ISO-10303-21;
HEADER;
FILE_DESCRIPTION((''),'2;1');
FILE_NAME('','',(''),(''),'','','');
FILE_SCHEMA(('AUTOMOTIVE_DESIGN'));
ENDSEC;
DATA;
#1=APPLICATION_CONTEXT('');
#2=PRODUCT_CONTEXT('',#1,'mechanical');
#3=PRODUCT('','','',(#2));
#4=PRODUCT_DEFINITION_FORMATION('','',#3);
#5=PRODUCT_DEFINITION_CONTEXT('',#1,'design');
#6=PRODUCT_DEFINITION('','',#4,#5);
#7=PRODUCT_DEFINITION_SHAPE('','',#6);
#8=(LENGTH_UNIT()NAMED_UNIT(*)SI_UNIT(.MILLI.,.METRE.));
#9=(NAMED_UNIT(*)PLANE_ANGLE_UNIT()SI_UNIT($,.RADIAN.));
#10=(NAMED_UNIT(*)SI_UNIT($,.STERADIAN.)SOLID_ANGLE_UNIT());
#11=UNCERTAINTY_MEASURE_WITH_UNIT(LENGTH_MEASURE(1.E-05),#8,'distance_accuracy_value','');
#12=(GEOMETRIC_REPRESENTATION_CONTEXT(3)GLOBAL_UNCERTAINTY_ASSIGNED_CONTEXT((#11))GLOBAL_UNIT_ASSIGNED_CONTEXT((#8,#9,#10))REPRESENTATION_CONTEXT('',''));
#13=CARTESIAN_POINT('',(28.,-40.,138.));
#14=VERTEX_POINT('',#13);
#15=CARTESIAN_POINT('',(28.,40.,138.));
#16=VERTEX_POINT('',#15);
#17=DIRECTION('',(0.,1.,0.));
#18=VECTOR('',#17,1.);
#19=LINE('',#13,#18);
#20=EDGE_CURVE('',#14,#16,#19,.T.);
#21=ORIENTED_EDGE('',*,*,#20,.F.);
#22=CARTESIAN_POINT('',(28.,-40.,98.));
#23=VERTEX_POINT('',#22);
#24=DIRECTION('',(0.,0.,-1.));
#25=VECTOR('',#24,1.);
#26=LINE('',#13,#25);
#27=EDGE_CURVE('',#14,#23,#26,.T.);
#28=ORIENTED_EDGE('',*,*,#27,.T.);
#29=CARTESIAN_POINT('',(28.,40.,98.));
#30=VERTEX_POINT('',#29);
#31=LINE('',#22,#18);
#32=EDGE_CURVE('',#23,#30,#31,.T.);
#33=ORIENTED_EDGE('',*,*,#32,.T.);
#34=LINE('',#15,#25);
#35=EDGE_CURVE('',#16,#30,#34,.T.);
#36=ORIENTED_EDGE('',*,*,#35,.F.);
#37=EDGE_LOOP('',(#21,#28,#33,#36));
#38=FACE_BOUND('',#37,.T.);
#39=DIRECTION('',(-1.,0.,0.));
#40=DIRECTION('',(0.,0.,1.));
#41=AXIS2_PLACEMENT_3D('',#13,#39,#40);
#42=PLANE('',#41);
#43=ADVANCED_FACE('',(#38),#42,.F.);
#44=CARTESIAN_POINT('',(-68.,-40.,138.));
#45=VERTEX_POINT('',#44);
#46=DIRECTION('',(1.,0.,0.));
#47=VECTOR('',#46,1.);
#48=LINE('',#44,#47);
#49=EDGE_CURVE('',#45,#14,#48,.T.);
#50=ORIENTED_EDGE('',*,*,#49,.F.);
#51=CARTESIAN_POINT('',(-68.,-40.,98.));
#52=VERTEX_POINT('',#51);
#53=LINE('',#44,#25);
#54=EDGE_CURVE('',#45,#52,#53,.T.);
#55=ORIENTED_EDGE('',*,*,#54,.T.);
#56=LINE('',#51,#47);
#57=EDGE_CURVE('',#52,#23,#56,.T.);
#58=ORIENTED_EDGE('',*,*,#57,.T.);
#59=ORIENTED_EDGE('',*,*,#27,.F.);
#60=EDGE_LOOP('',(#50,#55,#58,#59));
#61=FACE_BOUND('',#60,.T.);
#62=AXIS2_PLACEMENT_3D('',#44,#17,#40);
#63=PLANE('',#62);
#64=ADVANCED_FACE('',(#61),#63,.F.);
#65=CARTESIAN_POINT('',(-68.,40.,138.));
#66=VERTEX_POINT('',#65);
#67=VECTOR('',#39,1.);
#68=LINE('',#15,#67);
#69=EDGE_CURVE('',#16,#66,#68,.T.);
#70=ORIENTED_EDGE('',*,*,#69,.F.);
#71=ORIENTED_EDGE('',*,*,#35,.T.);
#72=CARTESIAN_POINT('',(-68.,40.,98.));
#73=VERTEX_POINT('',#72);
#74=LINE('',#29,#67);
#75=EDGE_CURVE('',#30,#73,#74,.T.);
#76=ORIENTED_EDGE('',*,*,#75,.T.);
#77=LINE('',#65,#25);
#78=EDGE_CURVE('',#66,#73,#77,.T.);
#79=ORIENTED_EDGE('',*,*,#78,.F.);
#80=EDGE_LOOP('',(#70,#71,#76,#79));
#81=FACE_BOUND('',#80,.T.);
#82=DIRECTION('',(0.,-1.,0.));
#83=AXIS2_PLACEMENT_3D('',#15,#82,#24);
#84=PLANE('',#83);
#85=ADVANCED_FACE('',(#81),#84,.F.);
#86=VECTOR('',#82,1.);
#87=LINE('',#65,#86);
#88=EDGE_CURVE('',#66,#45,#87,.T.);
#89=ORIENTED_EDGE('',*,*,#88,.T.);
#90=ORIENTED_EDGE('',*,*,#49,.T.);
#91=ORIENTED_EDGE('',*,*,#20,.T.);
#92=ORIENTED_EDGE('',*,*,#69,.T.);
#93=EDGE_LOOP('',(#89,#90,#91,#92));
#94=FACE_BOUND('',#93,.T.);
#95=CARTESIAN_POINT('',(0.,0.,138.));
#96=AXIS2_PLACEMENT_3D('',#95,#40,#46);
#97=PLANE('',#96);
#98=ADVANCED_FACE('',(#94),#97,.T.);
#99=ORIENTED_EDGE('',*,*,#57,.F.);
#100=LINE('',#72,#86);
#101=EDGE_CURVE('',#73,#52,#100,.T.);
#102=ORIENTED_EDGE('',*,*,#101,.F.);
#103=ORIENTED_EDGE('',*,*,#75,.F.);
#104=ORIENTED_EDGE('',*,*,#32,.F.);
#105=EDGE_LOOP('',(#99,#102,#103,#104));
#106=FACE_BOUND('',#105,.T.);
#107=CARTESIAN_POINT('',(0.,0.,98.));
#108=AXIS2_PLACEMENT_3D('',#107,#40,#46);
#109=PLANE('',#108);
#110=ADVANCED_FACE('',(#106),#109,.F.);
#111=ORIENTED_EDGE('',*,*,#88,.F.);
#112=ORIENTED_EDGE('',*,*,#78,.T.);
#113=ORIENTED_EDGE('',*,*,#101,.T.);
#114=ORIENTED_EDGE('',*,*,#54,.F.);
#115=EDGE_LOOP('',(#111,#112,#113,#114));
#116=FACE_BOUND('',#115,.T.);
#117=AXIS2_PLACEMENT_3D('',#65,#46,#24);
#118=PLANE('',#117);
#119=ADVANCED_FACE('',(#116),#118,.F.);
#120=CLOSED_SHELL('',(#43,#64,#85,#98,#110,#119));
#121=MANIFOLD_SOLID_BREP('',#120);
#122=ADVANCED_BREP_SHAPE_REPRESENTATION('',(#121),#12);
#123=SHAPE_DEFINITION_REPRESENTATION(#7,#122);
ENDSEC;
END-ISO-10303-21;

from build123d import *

# Parameters (mm, degrees)
SK_BOX_0_W  = 96
SK_BOX_0_H  = 80
BOX_0_DEPTH = 40


with BuildPart() as part:
    # SK_Box_0 → Box_0 (new body)
    with BuildSketch(Plane.XY.offset(98)):
        with Locations((-20, 0)):
            Rectangle(SK_BOX_0_W, SK_BOX_0_H)
    extrude(amount=BOX_0_DEPTH)


solid = part.part
